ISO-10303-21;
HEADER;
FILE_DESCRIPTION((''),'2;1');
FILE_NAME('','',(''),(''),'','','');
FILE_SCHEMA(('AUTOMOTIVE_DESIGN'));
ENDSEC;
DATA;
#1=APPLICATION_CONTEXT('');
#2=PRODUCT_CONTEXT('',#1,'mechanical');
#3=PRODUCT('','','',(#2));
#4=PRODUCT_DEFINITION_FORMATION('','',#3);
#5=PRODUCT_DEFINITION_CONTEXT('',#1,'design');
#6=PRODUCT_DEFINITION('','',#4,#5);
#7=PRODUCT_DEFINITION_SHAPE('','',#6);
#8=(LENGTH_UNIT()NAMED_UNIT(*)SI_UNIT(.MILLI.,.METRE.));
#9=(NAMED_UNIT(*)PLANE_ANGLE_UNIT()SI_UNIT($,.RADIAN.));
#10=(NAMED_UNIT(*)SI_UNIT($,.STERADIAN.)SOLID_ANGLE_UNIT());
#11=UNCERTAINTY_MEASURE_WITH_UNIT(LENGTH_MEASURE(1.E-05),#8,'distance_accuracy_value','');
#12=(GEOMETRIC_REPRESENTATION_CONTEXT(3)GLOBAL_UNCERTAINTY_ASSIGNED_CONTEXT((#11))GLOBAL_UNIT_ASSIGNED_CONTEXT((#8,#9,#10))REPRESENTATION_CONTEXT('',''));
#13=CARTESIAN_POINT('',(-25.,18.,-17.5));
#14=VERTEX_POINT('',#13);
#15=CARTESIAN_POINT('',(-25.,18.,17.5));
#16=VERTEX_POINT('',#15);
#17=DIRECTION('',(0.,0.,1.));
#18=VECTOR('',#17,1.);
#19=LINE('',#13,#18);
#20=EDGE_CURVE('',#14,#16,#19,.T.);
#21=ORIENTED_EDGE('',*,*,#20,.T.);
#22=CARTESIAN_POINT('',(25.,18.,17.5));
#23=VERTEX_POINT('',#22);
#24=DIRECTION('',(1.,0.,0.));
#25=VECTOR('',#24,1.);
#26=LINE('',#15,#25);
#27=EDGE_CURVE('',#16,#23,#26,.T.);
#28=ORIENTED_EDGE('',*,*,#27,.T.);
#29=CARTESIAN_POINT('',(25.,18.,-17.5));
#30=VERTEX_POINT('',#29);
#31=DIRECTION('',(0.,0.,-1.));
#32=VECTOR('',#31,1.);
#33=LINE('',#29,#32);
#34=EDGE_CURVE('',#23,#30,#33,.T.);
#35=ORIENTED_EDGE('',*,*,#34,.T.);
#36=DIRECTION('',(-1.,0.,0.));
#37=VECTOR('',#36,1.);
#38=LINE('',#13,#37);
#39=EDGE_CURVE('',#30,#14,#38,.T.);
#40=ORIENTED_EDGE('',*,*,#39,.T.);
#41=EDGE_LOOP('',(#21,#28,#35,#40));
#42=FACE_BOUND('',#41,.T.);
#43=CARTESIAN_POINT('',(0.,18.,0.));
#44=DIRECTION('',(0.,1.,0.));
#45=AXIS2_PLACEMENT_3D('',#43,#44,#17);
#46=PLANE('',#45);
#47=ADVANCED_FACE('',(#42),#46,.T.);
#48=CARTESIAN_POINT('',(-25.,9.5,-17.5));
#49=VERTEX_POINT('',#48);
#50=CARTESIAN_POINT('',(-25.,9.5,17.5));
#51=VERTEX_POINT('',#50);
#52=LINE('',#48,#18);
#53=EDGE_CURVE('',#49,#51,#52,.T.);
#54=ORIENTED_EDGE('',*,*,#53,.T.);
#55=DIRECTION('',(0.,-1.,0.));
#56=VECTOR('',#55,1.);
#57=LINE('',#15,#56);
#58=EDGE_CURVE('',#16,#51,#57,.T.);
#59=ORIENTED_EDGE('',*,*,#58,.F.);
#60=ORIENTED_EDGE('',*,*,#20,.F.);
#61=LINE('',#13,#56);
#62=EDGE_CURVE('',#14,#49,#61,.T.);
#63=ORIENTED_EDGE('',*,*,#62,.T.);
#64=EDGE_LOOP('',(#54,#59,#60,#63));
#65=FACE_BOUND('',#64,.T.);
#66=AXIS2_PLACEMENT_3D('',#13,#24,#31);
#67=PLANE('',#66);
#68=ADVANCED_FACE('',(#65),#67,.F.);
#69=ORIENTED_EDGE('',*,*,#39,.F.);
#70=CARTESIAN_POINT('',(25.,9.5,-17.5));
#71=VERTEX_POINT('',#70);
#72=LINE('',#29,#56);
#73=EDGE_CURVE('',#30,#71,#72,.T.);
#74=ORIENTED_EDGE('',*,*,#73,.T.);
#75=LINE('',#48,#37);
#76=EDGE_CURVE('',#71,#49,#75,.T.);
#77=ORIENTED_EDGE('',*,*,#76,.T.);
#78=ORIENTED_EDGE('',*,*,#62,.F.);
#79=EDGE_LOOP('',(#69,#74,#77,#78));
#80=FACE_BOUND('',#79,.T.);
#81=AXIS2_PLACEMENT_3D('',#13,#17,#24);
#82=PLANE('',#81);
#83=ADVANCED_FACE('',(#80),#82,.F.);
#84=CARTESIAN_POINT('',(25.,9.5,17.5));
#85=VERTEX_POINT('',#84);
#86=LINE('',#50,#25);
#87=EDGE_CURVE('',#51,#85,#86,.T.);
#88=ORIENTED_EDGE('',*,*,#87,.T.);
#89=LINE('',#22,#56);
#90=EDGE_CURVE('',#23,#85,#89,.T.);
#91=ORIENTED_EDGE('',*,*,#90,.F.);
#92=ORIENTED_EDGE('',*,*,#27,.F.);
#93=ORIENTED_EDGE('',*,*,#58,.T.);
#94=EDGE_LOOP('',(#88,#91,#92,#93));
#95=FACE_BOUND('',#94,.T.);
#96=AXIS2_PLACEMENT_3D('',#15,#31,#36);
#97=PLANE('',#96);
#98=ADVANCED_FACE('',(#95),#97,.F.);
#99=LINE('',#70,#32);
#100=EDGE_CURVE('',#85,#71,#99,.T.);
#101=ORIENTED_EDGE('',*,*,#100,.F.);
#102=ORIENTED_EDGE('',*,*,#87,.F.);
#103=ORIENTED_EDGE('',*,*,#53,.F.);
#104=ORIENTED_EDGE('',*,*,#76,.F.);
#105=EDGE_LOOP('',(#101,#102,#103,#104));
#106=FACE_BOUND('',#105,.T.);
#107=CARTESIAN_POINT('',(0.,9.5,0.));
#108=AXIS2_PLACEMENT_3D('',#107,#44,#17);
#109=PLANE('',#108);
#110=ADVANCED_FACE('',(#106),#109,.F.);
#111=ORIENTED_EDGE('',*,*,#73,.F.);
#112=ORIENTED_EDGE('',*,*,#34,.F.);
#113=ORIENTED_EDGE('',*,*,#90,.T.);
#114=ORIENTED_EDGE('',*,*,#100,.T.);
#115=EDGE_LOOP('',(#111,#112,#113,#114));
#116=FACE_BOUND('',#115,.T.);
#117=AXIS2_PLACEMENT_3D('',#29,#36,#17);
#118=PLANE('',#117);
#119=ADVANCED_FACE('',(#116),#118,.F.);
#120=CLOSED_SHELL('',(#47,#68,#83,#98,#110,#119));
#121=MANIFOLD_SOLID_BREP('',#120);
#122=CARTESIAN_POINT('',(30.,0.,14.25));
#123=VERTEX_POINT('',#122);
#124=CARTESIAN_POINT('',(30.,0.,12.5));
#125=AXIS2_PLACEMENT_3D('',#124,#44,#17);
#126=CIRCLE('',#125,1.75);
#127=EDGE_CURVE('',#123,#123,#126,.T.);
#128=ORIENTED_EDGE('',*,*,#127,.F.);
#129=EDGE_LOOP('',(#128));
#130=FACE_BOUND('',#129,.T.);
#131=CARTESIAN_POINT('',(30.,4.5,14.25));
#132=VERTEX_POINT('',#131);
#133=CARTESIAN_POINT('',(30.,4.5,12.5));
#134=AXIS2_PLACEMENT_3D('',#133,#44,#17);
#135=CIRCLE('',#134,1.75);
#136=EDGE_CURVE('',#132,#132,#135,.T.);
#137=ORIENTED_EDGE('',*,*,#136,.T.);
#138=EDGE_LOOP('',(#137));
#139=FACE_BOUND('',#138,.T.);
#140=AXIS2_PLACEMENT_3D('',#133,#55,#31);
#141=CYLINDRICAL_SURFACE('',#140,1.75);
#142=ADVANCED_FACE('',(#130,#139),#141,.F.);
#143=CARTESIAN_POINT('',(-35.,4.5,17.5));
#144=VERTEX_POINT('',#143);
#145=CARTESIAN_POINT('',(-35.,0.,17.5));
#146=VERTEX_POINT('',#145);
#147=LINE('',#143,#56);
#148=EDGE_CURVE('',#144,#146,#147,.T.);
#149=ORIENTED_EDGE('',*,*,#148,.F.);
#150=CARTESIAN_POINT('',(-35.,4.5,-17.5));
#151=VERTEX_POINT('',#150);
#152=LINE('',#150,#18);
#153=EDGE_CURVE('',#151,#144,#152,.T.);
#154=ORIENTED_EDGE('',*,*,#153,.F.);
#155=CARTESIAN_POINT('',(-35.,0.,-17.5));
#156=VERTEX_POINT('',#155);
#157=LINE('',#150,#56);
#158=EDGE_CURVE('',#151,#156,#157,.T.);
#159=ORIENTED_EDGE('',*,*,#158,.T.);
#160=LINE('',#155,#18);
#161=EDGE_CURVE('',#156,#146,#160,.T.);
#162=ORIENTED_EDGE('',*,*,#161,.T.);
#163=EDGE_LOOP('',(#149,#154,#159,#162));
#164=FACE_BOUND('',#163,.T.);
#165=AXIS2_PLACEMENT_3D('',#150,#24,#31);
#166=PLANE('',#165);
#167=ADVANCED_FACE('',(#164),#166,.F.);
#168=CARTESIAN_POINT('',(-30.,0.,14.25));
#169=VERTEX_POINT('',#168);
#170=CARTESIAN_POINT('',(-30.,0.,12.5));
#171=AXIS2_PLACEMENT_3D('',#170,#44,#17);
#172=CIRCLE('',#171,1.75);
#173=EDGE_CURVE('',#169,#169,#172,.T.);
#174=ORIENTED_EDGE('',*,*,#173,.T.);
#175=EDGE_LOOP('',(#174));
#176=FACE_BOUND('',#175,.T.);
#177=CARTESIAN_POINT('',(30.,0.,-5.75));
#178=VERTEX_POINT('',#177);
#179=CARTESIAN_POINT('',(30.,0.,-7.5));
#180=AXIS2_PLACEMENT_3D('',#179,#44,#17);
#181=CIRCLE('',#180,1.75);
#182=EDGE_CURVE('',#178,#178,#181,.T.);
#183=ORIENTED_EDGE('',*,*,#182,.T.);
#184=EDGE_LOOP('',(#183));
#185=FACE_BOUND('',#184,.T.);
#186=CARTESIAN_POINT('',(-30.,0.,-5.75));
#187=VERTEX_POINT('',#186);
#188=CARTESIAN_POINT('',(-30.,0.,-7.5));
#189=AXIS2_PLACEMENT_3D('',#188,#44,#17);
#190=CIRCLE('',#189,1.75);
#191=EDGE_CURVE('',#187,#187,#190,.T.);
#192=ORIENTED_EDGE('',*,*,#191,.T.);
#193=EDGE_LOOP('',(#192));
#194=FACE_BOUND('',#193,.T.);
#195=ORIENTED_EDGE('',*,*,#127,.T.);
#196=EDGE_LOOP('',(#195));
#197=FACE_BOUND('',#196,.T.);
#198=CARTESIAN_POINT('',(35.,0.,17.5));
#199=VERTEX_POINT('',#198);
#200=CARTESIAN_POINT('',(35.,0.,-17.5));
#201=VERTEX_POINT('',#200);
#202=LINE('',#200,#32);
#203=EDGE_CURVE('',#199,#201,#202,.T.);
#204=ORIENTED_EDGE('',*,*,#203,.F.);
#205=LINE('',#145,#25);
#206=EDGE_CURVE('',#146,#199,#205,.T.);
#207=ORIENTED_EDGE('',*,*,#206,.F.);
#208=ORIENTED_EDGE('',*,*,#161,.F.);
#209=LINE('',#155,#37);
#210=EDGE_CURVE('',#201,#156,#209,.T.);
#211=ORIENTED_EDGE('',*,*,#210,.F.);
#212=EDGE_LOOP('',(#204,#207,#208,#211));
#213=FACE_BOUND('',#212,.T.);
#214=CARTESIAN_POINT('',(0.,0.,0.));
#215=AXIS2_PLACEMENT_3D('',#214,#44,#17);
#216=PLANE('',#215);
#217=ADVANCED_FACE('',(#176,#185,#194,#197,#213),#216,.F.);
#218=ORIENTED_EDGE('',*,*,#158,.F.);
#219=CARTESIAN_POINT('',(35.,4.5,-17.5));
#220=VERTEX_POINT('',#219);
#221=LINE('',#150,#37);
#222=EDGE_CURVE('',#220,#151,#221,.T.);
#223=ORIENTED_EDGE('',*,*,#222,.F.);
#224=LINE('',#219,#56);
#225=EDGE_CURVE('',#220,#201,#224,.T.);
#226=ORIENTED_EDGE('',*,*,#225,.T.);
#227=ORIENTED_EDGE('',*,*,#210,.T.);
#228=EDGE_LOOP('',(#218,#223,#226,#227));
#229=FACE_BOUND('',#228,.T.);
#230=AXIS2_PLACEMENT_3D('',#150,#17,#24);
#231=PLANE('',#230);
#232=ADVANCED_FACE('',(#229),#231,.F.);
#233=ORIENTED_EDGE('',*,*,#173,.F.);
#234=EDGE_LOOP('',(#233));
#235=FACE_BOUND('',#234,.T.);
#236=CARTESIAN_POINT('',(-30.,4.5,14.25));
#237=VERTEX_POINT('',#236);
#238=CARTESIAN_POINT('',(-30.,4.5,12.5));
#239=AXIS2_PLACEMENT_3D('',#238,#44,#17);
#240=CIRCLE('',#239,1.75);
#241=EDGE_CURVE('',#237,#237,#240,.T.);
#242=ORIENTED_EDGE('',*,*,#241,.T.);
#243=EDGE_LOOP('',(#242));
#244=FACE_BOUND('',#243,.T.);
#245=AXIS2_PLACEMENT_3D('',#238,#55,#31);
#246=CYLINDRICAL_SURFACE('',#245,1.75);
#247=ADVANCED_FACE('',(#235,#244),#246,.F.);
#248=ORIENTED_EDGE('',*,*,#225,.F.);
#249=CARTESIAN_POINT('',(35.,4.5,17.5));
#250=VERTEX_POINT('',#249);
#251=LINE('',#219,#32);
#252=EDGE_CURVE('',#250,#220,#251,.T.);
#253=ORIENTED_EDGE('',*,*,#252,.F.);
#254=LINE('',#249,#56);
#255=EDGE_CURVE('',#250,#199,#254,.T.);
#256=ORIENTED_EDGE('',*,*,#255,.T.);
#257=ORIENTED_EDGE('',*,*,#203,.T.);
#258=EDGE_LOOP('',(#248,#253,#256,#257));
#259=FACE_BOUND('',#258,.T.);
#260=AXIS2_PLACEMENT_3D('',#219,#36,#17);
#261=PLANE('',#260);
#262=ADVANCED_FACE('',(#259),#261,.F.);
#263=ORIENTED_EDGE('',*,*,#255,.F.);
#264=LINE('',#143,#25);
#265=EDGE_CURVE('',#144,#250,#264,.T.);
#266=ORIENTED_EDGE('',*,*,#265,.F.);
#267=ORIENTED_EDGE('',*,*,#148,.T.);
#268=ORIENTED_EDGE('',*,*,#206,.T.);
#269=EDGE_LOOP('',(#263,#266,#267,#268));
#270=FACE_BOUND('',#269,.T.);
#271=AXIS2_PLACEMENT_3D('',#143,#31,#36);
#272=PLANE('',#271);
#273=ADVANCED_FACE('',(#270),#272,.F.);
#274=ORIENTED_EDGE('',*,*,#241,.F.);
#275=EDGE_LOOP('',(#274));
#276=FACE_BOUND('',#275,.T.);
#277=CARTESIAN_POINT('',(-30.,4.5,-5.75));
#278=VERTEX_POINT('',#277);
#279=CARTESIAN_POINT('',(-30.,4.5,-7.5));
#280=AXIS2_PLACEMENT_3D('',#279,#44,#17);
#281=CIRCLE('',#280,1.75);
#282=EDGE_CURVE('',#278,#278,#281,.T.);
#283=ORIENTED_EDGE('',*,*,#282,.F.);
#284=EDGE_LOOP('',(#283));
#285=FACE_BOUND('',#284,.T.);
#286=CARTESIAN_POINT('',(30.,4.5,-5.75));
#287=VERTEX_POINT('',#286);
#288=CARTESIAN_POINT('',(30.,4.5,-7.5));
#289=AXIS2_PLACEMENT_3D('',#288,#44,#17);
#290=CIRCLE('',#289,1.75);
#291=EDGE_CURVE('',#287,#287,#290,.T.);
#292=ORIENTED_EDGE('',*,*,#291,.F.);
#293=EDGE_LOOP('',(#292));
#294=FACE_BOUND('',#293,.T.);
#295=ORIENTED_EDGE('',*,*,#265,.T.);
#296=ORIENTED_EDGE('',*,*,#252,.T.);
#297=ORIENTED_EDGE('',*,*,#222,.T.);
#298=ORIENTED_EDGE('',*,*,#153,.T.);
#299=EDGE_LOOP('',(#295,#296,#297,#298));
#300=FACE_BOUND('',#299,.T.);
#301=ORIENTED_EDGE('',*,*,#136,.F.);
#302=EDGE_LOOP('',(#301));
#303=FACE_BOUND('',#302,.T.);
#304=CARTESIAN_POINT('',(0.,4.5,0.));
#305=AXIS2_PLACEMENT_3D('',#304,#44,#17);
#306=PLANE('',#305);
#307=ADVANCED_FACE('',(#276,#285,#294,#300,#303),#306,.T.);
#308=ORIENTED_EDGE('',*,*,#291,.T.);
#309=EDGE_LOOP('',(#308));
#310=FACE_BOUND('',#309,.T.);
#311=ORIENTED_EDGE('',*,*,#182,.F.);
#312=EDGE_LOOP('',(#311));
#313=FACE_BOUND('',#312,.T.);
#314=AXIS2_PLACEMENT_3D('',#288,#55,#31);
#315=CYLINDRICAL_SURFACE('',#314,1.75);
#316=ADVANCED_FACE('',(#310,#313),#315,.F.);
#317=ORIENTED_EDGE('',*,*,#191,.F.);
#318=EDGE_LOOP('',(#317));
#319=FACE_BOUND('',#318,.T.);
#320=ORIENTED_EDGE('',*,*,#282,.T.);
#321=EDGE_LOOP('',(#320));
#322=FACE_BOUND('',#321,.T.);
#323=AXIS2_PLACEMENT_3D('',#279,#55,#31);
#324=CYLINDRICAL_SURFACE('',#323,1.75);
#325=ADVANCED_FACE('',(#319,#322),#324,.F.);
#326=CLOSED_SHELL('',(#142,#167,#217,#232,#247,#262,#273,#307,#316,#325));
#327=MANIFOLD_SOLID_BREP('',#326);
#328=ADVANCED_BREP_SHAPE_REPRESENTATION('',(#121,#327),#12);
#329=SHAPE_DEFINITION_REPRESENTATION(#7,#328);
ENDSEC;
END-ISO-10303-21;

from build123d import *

# Parameters (mm, degrees)
SKETCH1_W           = 70
SKETCH1_H           = 35
SKETCH1_R           = 1.75
BOSS_EXTRUDE1_DEPTH = 4.5
SKETCH2_W           = 50
SKETCH2_H           = 35
BOSS_EXTRUDE2_DEPTH = 8.5


with BuildPart() as part:
    # Sketch1 → Boss-Extrude1 (new body)
    with BuildSketch(Plane(origin=(0, 0, 0), x_dir=(1, 0, 0), z_dir=(0, 1, 0))):
        Rectangle(SKETCH1_W, SKETCH1_H)
        with Locations(Location((-30, 7.5, 0), (0, 0, 270))):
            Circle(SKETCH1_R, mode=Mode.SUBTRACT)
        with Locations(Location((30, 7.5, 0), (0, 0, 270))):
            Circle(SKETCH1_R, mode=Mode.SUBTRACT)
        with Locations(Location((30, -12.5, 0), (0, 0, 270))):
            Circle(SKETCH1_R, mode=Mode.SUBTRACT)
        with Locations(Location((-30, -12.5, 0), (0, 0, 270))):
            Circle(SKETCH1_R, mode=Mode.SUBTRACT)
    extrude(amount=BOSS_EXTRUDE1_DEPTH)


with BuildPart() as body_2:
    # Sketch2 → Boss-Extrude2 (new body)
    with BuildSketch(Plane(origin=(0, 9.5, 0), x_dir=(1, 0, 0), z_dir=(0, 1, 0))):
        Rectangle(SKETCH2_W, SKETCH2_H)
    extrude(amount=BOSS_EXTRUDE2_DEPTH)


solid = Compound([part.part, body_2.part])
